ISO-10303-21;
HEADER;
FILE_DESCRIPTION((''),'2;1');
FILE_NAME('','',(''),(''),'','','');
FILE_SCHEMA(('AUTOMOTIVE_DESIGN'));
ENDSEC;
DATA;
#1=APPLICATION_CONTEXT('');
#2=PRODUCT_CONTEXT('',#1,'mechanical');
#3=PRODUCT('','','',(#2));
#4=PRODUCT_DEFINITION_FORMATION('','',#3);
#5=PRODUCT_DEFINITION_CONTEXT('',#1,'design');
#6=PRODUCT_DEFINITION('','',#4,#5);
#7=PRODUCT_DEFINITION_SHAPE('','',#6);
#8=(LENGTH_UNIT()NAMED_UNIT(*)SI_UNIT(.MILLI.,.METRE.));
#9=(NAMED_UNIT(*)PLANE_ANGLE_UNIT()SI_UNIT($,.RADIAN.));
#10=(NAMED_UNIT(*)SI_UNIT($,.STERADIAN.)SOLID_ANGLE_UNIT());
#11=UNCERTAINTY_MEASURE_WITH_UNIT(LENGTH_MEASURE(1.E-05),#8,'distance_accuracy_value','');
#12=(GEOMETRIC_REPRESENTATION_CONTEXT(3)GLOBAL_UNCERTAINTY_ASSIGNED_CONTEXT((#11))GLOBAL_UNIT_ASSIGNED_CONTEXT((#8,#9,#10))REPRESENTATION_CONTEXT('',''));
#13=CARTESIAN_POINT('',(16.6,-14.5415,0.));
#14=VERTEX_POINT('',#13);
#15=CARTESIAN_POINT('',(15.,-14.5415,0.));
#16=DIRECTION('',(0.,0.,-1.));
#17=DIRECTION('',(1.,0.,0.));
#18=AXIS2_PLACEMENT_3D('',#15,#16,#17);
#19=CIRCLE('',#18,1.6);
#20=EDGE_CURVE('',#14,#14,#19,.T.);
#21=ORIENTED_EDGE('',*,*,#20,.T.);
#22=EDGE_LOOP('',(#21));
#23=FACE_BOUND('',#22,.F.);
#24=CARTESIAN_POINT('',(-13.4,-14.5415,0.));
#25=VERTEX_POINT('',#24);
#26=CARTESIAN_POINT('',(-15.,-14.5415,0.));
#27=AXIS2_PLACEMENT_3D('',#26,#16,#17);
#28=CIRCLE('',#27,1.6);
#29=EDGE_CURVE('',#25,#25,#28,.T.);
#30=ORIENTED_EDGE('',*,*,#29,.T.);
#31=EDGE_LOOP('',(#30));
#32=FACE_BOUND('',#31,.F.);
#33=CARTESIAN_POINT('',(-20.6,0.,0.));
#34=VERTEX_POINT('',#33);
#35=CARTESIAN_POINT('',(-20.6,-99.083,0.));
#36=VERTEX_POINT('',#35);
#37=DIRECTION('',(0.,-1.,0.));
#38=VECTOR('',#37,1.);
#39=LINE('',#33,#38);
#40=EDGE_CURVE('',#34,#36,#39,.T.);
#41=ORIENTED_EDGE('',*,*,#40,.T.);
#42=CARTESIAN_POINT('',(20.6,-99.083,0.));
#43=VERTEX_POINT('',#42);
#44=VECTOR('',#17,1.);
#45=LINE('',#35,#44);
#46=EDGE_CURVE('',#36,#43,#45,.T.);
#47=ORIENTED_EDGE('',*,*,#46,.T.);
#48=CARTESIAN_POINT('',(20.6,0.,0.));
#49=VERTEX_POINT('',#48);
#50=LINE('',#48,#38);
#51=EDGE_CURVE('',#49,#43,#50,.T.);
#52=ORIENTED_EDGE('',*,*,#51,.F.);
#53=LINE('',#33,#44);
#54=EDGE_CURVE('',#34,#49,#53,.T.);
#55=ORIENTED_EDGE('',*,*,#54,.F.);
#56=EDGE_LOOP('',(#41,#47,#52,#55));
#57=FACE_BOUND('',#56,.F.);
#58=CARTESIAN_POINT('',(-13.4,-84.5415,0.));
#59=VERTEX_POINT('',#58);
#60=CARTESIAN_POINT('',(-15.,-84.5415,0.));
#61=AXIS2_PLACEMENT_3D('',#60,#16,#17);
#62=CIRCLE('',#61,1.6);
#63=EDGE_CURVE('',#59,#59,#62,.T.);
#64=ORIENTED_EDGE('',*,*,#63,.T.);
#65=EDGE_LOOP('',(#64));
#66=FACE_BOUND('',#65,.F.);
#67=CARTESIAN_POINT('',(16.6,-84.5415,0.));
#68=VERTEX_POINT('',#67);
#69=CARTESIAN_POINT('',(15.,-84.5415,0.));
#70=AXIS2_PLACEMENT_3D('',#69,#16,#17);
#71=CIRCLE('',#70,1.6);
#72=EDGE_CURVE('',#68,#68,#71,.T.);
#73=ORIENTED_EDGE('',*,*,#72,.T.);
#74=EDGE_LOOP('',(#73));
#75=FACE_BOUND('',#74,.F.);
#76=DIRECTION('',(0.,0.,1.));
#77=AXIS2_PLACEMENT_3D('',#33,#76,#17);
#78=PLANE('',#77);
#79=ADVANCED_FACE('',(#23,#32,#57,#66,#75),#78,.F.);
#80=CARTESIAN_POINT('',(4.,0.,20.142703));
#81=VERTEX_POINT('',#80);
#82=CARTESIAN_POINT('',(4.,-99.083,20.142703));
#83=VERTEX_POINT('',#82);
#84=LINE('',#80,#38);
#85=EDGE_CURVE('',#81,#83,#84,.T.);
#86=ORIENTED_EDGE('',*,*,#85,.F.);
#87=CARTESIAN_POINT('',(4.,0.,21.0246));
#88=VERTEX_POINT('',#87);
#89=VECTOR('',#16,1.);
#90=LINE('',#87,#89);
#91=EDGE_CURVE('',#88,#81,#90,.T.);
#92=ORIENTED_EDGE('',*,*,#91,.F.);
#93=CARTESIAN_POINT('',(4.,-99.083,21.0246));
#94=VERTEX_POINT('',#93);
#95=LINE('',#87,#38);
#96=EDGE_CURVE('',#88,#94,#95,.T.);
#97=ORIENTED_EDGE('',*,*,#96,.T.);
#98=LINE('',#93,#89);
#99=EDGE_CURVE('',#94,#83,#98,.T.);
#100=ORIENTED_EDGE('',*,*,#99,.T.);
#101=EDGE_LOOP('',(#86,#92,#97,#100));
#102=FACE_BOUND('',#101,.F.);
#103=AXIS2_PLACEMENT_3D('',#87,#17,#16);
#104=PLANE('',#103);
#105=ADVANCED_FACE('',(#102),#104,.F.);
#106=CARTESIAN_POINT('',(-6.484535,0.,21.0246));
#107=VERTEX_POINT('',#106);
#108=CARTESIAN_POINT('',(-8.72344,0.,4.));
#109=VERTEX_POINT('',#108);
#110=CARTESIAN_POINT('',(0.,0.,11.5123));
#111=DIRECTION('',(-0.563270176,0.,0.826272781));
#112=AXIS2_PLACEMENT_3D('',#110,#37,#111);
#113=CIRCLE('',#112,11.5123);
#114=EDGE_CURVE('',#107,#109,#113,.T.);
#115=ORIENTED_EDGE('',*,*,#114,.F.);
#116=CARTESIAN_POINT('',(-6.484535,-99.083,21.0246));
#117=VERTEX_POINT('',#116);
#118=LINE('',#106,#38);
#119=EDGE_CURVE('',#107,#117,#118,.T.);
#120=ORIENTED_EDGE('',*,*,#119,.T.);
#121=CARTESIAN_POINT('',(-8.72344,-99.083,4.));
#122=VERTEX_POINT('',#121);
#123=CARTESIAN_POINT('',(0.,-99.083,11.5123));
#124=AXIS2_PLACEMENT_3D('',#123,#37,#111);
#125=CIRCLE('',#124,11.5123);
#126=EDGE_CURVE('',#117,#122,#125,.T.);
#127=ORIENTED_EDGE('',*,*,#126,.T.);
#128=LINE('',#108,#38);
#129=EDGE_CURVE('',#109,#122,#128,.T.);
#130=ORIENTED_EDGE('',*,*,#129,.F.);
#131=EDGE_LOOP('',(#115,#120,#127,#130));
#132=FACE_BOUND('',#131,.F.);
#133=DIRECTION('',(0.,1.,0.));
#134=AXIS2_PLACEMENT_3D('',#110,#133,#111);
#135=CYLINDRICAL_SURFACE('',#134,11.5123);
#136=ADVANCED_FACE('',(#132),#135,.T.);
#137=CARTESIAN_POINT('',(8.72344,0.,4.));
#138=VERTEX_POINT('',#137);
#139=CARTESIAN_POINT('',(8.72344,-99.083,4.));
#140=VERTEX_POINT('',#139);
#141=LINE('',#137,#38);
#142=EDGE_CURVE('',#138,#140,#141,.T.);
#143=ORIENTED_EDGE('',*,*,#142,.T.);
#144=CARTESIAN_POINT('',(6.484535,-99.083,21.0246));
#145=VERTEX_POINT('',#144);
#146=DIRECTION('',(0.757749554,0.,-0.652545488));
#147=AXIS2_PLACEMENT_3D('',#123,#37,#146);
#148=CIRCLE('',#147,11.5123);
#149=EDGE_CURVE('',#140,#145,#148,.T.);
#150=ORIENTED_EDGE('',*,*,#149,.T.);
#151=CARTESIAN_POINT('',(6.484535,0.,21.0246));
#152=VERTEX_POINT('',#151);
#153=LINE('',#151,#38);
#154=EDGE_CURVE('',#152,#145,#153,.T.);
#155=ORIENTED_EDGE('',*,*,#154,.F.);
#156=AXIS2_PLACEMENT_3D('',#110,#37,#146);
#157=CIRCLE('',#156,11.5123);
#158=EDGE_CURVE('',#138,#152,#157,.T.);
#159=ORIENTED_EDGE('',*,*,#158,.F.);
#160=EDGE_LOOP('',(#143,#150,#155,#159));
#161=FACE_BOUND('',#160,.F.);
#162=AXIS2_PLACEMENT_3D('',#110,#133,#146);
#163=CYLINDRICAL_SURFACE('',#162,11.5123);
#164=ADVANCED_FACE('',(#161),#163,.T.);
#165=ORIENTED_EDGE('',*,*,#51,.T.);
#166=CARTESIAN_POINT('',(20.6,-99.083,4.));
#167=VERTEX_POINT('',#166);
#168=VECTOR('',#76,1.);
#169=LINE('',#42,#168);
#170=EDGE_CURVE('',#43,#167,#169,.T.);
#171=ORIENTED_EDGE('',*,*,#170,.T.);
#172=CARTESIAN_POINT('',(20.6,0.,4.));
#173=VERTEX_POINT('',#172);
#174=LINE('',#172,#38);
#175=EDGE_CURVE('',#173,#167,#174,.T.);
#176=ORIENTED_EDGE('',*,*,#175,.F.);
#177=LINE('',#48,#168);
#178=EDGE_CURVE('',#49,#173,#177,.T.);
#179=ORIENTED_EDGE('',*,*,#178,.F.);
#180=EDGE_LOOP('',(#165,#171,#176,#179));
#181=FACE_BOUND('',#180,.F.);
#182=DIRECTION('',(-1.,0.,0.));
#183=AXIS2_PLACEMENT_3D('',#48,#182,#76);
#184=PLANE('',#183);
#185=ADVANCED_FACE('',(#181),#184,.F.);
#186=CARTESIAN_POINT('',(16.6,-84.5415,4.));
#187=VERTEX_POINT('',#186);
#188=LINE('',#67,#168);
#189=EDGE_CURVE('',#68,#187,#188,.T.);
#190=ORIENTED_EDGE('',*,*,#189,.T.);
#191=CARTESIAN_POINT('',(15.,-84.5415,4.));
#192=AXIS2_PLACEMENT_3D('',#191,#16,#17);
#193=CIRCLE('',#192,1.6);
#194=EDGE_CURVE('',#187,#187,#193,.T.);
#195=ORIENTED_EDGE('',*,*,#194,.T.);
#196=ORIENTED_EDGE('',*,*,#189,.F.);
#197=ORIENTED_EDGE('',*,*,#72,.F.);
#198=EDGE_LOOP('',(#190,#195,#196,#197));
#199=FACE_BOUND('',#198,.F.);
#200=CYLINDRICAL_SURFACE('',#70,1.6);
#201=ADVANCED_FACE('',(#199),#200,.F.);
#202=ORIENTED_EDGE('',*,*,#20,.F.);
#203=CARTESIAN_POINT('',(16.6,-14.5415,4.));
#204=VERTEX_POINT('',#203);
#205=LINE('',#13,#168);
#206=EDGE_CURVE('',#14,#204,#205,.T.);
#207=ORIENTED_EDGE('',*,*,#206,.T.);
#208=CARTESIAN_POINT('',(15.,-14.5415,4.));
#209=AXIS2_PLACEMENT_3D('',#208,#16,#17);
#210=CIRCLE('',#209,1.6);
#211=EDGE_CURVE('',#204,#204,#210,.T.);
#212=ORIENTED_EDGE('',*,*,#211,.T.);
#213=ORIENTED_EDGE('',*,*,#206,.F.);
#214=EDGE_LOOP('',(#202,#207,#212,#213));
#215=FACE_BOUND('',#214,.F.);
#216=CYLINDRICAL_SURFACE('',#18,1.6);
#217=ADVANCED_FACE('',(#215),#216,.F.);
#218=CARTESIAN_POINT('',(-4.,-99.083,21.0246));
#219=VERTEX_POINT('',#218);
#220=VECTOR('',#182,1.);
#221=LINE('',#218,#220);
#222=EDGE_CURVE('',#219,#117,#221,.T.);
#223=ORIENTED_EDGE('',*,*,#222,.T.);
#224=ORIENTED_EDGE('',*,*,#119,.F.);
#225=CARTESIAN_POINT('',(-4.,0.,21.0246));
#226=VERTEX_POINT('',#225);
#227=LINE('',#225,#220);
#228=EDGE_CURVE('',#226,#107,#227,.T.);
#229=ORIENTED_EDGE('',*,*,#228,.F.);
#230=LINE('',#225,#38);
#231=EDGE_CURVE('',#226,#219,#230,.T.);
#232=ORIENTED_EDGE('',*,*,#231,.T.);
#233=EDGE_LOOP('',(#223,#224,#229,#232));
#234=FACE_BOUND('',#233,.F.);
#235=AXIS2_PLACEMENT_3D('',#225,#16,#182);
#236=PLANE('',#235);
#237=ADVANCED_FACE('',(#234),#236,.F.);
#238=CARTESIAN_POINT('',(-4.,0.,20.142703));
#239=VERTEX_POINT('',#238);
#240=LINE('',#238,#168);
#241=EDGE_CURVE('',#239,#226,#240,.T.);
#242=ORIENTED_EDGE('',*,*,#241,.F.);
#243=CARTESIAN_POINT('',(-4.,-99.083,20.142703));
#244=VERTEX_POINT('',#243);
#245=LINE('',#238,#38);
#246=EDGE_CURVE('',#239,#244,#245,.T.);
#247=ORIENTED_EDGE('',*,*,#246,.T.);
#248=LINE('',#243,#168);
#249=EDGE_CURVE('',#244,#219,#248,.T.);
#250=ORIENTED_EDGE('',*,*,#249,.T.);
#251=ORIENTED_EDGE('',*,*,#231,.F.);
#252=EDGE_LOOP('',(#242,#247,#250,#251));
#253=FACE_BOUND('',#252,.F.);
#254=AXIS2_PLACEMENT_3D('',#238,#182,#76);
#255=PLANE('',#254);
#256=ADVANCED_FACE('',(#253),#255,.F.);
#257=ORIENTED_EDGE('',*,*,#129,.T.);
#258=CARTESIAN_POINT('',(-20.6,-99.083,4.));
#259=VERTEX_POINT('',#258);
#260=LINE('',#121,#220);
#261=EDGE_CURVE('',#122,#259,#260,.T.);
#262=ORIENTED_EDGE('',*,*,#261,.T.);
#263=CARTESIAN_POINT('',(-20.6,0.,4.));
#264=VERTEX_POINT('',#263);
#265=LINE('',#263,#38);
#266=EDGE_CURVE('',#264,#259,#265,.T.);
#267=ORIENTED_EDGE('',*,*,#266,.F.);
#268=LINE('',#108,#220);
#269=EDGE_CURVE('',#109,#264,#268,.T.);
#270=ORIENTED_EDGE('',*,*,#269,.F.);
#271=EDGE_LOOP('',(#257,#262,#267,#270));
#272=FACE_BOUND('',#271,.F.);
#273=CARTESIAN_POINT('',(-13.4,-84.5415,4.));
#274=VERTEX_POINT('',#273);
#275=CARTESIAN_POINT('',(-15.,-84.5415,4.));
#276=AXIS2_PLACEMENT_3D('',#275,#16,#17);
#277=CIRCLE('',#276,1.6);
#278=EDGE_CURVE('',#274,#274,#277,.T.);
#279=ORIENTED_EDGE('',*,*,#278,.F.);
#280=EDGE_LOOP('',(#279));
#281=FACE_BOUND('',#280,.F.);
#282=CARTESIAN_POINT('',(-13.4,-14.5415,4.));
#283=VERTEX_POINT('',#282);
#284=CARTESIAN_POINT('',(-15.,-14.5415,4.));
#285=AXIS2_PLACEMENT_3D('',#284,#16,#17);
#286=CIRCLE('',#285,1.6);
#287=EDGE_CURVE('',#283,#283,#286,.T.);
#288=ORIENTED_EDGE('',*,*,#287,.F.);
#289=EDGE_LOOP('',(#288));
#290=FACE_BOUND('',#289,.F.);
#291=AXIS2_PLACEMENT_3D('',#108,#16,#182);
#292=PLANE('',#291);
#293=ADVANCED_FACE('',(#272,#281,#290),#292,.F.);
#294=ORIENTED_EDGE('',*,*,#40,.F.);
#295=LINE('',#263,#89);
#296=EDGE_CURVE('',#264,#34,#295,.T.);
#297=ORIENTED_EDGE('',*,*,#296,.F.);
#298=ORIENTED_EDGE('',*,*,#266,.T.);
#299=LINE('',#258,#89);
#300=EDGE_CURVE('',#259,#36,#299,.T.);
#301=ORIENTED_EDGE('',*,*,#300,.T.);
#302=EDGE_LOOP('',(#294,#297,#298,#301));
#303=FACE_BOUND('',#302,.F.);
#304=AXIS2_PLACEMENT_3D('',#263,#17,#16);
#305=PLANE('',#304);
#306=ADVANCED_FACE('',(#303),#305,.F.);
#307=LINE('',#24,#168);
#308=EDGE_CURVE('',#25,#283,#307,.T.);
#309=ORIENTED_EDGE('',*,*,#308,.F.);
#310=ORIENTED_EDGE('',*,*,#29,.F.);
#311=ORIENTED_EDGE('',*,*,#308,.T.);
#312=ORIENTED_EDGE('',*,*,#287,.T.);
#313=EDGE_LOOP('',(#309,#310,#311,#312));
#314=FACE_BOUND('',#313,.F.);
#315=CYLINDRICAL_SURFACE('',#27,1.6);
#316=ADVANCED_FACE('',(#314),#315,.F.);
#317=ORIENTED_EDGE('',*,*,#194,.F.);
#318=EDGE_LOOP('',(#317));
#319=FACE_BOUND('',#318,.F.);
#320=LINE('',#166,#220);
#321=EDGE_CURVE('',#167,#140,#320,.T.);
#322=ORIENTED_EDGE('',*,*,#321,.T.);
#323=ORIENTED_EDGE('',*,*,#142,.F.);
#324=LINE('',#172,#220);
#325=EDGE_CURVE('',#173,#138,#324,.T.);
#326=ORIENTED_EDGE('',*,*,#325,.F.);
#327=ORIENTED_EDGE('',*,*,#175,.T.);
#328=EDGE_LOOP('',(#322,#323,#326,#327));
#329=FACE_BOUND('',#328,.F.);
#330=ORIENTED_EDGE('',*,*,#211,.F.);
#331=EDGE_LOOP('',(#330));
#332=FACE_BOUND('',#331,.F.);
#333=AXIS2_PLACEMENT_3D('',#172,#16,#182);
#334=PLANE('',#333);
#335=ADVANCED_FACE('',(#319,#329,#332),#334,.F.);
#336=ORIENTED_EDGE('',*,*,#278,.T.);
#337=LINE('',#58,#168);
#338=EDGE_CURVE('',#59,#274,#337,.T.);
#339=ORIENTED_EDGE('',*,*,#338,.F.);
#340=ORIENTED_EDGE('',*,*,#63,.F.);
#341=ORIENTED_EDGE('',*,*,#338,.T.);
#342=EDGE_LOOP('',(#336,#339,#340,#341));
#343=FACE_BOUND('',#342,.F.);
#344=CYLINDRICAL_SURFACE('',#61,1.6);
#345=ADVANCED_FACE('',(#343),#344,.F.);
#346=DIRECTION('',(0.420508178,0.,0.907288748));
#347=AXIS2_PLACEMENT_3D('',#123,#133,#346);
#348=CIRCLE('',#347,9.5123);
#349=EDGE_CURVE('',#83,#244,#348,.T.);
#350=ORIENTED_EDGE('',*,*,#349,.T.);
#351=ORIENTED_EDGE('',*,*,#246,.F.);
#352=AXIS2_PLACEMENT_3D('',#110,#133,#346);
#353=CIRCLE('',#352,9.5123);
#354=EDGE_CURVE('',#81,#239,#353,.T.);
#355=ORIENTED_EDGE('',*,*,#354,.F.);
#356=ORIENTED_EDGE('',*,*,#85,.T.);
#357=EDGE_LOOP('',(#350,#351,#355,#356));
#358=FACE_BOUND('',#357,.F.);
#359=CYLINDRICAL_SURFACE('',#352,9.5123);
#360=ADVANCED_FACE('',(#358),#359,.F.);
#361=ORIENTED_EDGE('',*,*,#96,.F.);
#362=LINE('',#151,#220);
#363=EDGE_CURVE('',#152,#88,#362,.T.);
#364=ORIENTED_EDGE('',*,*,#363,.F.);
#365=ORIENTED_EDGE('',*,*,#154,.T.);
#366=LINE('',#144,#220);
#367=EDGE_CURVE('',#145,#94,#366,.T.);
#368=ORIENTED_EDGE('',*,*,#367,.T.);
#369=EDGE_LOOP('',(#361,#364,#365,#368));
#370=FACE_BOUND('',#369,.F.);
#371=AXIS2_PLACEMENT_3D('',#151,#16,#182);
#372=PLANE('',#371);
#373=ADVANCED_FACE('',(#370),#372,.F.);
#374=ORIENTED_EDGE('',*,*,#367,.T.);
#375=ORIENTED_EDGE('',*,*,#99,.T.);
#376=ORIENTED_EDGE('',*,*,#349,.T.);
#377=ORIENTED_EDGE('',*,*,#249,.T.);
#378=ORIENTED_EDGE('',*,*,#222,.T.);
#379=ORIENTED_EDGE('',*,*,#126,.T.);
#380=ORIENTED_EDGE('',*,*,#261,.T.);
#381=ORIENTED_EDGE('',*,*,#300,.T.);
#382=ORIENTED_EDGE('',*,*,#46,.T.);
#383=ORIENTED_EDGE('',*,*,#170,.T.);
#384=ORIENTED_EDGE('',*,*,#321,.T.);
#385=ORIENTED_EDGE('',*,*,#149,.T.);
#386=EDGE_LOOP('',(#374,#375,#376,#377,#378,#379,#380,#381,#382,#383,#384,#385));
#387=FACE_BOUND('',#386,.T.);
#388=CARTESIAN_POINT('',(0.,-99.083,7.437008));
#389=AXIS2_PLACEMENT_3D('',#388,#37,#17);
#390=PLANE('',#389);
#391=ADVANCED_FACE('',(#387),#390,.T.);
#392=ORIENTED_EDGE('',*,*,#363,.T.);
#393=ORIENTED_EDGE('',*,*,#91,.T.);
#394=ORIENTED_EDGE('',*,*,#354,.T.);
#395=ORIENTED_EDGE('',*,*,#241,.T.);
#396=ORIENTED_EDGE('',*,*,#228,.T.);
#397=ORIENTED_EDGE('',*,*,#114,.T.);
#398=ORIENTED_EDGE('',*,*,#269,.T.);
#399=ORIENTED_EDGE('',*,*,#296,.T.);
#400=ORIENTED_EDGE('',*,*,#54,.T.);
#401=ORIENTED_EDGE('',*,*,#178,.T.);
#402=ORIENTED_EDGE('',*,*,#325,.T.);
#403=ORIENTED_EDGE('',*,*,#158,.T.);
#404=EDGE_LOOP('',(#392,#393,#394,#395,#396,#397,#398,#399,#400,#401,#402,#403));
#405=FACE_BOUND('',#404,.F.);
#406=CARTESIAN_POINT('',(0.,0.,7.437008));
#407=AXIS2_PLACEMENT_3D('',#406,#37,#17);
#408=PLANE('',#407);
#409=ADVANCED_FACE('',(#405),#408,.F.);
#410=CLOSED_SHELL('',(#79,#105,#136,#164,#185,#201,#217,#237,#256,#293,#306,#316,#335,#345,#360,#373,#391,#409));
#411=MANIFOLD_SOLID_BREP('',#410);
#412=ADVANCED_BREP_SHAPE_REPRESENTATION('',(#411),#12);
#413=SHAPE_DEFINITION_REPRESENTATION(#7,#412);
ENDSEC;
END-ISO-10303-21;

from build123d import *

# Parameters (mm, degrees)
F1_DEPTH = 99.083
F2_R     = 1.6
F3_DEPTH = 21.0256


with BuildPart() as f1:
    # F0 (on Front) → F1 (new body)
    with BuildSketch(Plane.XZ):
        with BuildLine():
            Line((-20.6, 4), (-20.6, 0))
            Line((-20.6, 0), (20.6, 0))
            Line((20.6, 0), (20.6, 4))
            Line((20.6, 4), (8.72344, 4))
            ThreePointArc((8.72344, 4), (11.414021, 13.013357), (6.484535, 21.0246))
            Line((6.484535, 21.0246), (4, 21.0246))
            Line((4, 21.0246), (4, 20.142703))
            ThreePointArc((4, 20.142703), (0, 2), (-4, 20.142703))
            Line((-4, 20.142703), (-4, 21.0246))
            Line((-4, 21.0246), (-6.484535, 21.0246))
            ThreePointArc((-6.484535, 21.0246), (-11.414021, 13.013357), (-8.72344, 4))
            Line((-8.72344, 4), (-20.6, 4))
        make_face()
    extrude(amount=F1_DEPTH)

    # F2 (on face) → F3 (cut, through all)
    with BuildSketch(Plane(origin=(0, 0, 0), x_dir=(1, 0, 0), z_dir=(0, 0, -1))):
        with Locations((15, 84.5415)):
            Circle(F2_R)
        with Locations((-15, 84.5415)):
            Circle(F2_R)
        with Locations((15, 14.5415)):
            Circle(F2_R)
        with Locations((-15, 14.5415)):
            Circle(F2_R)
    extrude(amount=-F3_DEPTH, mode=Mode.SUBTRACT)


solid = f1.part
